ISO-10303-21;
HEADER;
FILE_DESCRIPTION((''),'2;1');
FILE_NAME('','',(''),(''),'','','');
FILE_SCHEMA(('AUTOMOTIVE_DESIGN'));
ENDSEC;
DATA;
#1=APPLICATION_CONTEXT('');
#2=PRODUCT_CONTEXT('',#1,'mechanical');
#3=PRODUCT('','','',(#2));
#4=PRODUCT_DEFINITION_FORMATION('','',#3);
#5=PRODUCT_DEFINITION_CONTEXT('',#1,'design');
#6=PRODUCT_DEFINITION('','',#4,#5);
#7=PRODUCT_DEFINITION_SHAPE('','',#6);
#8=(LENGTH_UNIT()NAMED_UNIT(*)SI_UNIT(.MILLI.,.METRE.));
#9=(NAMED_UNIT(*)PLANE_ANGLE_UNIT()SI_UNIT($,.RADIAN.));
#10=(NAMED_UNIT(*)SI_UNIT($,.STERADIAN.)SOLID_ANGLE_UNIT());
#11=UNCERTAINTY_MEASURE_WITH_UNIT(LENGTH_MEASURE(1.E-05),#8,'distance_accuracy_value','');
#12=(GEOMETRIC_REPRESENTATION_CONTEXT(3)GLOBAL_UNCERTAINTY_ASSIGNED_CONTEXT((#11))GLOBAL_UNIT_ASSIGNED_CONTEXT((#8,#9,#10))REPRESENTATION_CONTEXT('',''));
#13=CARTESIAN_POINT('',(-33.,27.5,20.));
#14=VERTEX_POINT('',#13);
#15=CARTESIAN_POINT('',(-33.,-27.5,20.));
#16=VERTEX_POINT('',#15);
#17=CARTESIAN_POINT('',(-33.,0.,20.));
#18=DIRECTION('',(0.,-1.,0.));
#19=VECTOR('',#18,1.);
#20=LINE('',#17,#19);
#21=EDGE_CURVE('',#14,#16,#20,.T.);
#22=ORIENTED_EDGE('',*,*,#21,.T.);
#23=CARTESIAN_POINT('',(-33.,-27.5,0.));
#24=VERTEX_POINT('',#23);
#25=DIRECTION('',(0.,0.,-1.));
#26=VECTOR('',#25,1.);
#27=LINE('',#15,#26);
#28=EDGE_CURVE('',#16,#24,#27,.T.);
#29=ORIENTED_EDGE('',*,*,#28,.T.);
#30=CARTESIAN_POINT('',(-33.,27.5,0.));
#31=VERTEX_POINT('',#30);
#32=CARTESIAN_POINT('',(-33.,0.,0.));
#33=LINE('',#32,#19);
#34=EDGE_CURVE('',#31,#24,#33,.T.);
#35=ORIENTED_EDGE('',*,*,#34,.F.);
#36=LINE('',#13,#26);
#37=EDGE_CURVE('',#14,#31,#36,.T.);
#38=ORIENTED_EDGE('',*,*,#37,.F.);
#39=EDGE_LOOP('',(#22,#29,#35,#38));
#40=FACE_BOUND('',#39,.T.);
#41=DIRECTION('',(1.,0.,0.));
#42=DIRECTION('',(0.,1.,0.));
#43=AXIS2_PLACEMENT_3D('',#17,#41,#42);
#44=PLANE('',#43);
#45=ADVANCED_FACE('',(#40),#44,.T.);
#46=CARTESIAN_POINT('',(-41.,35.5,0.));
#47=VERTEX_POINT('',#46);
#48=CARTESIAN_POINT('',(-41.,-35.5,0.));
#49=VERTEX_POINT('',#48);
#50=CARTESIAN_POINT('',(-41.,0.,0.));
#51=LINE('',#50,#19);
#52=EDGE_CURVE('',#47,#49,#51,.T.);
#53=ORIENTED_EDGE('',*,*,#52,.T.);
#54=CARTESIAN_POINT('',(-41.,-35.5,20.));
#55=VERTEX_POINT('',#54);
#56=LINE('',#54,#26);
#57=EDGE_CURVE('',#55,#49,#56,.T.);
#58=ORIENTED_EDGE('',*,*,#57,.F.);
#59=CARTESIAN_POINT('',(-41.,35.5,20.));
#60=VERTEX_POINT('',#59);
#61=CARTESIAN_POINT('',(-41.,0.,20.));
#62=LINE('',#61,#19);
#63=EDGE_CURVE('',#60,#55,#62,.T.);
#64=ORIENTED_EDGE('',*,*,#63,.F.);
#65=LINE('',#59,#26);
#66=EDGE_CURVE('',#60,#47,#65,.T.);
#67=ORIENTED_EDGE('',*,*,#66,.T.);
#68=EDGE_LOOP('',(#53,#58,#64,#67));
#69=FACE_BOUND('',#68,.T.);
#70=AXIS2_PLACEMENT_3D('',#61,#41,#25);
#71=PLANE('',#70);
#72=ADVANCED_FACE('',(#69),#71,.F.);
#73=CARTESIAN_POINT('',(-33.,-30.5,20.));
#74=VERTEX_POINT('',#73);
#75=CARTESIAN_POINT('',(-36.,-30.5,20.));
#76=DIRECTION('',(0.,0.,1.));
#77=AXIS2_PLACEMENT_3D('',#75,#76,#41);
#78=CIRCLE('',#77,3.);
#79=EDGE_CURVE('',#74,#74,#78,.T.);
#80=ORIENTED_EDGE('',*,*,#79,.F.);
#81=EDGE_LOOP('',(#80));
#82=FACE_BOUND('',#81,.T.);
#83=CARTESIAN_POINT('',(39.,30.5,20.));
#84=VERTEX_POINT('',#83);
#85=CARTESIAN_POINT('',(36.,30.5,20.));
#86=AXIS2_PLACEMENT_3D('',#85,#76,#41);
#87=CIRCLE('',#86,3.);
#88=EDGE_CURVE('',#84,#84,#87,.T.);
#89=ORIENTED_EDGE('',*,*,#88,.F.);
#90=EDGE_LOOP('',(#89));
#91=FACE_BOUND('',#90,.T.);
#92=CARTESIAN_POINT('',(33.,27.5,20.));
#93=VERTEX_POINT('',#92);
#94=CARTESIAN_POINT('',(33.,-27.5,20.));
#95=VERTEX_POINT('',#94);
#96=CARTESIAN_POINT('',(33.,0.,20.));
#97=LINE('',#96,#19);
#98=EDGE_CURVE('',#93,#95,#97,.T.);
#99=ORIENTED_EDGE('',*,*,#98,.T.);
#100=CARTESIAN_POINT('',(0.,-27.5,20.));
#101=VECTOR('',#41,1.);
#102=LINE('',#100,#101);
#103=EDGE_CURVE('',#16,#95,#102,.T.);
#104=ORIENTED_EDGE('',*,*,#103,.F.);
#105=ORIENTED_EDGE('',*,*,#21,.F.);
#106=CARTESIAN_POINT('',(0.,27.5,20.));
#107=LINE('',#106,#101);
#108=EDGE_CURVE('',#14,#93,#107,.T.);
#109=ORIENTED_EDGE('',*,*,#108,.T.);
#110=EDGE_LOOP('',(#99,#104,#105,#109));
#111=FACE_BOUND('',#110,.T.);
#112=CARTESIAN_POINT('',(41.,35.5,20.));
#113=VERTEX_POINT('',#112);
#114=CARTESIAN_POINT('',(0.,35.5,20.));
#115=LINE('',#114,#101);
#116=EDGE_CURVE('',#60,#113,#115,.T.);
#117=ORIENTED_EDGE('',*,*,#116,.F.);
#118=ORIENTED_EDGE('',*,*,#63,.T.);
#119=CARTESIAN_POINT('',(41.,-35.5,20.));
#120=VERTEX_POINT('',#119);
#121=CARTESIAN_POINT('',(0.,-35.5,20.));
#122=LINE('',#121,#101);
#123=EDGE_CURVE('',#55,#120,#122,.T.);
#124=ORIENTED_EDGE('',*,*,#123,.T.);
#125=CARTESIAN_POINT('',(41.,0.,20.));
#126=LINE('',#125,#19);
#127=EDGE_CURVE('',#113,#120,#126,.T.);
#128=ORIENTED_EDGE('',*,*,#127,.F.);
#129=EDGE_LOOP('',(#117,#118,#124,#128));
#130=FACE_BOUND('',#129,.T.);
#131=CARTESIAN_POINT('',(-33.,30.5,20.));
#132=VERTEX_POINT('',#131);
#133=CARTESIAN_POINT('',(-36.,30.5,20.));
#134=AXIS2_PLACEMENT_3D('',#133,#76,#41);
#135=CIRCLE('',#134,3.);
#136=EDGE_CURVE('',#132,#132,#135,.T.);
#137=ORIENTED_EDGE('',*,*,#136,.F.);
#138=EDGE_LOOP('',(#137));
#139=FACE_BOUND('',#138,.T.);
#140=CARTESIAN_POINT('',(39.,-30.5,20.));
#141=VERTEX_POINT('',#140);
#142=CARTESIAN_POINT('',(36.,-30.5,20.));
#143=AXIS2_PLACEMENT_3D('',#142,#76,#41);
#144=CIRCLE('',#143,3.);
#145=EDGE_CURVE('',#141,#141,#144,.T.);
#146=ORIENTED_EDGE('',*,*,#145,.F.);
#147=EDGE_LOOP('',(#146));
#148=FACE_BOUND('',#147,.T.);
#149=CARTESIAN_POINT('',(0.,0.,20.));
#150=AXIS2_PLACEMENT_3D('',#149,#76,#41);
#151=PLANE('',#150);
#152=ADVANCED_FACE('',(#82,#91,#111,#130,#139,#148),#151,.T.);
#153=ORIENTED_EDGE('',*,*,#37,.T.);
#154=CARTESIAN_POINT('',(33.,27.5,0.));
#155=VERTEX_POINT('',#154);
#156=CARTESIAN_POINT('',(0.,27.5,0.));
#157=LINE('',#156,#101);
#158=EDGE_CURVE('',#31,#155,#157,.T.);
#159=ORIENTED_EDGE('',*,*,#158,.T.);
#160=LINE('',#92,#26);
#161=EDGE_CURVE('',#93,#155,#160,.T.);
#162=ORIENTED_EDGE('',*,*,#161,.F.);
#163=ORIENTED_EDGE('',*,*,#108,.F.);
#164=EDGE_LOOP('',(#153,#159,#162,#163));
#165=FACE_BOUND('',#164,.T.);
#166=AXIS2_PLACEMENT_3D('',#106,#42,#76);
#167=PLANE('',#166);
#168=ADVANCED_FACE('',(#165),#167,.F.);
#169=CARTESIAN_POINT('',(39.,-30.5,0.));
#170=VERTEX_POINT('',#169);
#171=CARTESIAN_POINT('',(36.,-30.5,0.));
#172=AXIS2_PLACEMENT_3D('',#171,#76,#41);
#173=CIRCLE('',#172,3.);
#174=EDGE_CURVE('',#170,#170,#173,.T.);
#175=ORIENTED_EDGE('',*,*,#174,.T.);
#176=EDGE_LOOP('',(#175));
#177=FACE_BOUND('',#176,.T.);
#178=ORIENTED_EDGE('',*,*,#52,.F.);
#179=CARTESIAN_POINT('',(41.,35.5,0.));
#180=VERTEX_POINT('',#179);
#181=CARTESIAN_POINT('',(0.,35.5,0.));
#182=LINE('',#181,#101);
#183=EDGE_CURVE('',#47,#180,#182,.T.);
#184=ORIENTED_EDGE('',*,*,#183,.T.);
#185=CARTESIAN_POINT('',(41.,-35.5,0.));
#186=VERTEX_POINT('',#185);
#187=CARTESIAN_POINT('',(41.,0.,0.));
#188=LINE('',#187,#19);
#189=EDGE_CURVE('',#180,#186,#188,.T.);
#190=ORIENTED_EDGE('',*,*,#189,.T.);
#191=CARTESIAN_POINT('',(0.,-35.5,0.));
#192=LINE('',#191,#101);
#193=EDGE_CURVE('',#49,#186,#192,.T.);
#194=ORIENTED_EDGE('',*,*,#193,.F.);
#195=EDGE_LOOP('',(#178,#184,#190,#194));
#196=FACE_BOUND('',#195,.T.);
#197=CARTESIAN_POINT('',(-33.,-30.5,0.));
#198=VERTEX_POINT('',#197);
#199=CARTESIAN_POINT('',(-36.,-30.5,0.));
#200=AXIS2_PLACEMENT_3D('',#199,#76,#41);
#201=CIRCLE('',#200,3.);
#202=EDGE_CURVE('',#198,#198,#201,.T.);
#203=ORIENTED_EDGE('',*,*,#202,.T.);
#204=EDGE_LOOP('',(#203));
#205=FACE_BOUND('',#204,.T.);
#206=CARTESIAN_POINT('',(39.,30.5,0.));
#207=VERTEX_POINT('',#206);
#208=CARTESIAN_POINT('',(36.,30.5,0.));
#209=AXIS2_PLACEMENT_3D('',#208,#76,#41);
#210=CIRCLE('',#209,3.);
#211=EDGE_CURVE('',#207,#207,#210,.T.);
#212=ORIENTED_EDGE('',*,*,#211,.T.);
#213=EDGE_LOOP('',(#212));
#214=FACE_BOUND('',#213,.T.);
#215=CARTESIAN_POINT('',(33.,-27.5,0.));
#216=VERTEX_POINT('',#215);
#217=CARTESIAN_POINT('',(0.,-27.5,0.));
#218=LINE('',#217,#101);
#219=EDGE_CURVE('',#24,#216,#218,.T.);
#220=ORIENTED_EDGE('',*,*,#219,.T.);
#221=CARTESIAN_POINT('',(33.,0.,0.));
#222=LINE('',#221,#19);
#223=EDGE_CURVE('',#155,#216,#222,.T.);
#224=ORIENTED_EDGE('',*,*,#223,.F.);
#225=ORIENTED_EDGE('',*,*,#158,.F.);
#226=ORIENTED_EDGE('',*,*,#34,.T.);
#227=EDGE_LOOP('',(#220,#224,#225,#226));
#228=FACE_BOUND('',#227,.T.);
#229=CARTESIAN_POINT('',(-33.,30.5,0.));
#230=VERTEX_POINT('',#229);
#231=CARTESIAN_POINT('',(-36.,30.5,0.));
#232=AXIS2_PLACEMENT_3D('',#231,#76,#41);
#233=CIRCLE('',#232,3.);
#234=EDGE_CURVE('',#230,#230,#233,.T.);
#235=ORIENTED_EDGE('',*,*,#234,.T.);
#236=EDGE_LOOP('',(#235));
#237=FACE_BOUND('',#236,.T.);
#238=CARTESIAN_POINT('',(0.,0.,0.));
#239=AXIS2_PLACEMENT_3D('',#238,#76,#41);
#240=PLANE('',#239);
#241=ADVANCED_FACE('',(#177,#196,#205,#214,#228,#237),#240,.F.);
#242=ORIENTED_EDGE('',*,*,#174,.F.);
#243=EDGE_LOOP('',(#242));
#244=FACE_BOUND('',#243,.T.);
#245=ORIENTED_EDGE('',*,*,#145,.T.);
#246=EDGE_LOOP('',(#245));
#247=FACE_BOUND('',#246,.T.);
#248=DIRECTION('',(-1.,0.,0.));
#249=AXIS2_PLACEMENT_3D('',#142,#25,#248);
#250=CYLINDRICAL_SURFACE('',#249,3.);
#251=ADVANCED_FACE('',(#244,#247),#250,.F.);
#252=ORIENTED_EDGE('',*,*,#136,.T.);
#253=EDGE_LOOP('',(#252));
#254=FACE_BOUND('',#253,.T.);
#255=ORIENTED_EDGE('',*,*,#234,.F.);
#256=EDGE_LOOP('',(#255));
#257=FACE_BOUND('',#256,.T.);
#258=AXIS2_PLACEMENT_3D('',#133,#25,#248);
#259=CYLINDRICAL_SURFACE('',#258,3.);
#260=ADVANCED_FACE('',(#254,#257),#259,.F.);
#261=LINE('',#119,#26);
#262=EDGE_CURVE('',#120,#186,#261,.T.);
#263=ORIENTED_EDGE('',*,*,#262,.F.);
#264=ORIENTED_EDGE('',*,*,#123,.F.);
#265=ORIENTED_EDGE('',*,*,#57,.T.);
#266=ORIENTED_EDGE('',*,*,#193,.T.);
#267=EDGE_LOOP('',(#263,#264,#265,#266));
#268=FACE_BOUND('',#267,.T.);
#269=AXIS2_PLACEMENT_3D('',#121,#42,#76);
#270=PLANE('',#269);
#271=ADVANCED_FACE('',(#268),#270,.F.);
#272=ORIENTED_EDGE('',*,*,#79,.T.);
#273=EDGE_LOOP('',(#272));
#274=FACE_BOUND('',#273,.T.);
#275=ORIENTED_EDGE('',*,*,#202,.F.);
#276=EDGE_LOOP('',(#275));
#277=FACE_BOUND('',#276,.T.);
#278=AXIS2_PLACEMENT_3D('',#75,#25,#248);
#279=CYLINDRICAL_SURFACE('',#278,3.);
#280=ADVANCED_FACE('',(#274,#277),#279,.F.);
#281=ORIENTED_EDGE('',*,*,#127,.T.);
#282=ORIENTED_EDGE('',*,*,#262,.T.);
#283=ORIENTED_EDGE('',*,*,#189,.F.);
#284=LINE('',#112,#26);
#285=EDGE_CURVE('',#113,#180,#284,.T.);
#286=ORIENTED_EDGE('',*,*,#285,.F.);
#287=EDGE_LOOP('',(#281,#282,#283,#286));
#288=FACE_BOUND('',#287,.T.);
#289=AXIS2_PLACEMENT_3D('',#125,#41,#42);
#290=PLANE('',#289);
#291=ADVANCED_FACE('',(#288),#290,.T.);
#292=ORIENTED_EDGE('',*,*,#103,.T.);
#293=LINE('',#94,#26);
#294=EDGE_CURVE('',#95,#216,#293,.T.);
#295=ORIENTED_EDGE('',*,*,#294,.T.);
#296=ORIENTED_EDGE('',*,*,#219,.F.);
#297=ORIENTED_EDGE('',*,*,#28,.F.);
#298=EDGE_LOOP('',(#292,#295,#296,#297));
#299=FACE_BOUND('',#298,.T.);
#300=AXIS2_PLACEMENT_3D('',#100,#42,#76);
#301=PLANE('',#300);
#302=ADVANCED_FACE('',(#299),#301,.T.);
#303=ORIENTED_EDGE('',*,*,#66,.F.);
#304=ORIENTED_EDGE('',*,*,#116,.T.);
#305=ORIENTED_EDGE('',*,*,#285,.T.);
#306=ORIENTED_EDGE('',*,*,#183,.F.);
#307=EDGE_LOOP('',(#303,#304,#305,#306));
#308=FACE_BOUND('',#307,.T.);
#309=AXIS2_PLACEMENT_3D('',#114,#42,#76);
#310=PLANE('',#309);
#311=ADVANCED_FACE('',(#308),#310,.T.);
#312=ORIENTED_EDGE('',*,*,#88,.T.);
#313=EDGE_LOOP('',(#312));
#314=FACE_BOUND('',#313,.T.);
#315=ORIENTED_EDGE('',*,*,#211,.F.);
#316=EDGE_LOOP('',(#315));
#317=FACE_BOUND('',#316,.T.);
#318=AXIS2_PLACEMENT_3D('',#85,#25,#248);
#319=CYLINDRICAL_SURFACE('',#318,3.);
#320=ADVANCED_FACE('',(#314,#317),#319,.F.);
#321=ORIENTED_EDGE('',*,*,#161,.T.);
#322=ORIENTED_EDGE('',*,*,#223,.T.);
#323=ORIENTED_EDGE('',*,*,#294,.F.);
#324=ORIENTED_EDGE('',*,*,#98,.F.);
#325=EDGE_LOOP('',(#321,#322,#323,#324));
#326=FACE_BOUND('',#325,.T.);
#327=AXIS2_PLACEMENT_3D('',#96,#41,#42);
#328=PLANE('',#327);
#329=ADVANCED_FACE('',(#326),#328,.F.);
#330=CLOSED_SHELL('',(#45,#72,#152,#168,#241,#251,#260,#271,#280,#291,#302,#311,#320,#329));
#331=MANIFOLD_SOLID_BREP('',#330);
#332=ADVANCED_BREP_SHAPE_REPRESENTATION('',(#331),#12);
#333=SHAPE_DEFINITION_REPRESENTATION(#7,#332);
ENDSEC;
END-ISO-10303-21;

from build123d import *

# Parameters (mm, degrees)
SKETCH_1_W          = 82
SKETCH_1_H          = 71
SKETCH_1_R          = 3
SKETCH_1_W_2        = 66
SKETCH_1_H_2        = 55
EXTRUDE_1_DEPTH     = 20
SKETCH_1_3_R        = 3
CUT_EXTRUDE_1_DEPTH = 20


with BuildPart() as part:
    # 草图1 → 凸台-拉伸1 (new body)
    with BuildSketch(Plane.XY):
        Rectangle(SKETCH_1_W, SKETCH_1_H)
        with Locations((-36, 30.5)):
            Circle(SKETCH_1_R, mode=Mode.SUBTRACT)
        with Locations((-36, -30.5)):
            Circle(SKETCH_1_R, mode=Mode.SUBTRACT)
        Rectangle(SKETCH_1_W_2, SKETCH_1_H_2, mode=Mode.SUBTRACT)
    extrude(amount=EXTRUDE_1_DEPTH)

    # 草图1<3> → 切除-拉伸1 (cut)
    with BuildSketch(Plane.XY):
        with Locations((36, -30.5)):
            Circle(SKETCH_1_3_R)
        with Locations((36, 30.5)):
            Circle(SKETCH_1_3_R)
    extrude(amount=CUT_EXTRUDE_1_DEPTH, mode=Mode.SUBTRACT)


solid = part.part
